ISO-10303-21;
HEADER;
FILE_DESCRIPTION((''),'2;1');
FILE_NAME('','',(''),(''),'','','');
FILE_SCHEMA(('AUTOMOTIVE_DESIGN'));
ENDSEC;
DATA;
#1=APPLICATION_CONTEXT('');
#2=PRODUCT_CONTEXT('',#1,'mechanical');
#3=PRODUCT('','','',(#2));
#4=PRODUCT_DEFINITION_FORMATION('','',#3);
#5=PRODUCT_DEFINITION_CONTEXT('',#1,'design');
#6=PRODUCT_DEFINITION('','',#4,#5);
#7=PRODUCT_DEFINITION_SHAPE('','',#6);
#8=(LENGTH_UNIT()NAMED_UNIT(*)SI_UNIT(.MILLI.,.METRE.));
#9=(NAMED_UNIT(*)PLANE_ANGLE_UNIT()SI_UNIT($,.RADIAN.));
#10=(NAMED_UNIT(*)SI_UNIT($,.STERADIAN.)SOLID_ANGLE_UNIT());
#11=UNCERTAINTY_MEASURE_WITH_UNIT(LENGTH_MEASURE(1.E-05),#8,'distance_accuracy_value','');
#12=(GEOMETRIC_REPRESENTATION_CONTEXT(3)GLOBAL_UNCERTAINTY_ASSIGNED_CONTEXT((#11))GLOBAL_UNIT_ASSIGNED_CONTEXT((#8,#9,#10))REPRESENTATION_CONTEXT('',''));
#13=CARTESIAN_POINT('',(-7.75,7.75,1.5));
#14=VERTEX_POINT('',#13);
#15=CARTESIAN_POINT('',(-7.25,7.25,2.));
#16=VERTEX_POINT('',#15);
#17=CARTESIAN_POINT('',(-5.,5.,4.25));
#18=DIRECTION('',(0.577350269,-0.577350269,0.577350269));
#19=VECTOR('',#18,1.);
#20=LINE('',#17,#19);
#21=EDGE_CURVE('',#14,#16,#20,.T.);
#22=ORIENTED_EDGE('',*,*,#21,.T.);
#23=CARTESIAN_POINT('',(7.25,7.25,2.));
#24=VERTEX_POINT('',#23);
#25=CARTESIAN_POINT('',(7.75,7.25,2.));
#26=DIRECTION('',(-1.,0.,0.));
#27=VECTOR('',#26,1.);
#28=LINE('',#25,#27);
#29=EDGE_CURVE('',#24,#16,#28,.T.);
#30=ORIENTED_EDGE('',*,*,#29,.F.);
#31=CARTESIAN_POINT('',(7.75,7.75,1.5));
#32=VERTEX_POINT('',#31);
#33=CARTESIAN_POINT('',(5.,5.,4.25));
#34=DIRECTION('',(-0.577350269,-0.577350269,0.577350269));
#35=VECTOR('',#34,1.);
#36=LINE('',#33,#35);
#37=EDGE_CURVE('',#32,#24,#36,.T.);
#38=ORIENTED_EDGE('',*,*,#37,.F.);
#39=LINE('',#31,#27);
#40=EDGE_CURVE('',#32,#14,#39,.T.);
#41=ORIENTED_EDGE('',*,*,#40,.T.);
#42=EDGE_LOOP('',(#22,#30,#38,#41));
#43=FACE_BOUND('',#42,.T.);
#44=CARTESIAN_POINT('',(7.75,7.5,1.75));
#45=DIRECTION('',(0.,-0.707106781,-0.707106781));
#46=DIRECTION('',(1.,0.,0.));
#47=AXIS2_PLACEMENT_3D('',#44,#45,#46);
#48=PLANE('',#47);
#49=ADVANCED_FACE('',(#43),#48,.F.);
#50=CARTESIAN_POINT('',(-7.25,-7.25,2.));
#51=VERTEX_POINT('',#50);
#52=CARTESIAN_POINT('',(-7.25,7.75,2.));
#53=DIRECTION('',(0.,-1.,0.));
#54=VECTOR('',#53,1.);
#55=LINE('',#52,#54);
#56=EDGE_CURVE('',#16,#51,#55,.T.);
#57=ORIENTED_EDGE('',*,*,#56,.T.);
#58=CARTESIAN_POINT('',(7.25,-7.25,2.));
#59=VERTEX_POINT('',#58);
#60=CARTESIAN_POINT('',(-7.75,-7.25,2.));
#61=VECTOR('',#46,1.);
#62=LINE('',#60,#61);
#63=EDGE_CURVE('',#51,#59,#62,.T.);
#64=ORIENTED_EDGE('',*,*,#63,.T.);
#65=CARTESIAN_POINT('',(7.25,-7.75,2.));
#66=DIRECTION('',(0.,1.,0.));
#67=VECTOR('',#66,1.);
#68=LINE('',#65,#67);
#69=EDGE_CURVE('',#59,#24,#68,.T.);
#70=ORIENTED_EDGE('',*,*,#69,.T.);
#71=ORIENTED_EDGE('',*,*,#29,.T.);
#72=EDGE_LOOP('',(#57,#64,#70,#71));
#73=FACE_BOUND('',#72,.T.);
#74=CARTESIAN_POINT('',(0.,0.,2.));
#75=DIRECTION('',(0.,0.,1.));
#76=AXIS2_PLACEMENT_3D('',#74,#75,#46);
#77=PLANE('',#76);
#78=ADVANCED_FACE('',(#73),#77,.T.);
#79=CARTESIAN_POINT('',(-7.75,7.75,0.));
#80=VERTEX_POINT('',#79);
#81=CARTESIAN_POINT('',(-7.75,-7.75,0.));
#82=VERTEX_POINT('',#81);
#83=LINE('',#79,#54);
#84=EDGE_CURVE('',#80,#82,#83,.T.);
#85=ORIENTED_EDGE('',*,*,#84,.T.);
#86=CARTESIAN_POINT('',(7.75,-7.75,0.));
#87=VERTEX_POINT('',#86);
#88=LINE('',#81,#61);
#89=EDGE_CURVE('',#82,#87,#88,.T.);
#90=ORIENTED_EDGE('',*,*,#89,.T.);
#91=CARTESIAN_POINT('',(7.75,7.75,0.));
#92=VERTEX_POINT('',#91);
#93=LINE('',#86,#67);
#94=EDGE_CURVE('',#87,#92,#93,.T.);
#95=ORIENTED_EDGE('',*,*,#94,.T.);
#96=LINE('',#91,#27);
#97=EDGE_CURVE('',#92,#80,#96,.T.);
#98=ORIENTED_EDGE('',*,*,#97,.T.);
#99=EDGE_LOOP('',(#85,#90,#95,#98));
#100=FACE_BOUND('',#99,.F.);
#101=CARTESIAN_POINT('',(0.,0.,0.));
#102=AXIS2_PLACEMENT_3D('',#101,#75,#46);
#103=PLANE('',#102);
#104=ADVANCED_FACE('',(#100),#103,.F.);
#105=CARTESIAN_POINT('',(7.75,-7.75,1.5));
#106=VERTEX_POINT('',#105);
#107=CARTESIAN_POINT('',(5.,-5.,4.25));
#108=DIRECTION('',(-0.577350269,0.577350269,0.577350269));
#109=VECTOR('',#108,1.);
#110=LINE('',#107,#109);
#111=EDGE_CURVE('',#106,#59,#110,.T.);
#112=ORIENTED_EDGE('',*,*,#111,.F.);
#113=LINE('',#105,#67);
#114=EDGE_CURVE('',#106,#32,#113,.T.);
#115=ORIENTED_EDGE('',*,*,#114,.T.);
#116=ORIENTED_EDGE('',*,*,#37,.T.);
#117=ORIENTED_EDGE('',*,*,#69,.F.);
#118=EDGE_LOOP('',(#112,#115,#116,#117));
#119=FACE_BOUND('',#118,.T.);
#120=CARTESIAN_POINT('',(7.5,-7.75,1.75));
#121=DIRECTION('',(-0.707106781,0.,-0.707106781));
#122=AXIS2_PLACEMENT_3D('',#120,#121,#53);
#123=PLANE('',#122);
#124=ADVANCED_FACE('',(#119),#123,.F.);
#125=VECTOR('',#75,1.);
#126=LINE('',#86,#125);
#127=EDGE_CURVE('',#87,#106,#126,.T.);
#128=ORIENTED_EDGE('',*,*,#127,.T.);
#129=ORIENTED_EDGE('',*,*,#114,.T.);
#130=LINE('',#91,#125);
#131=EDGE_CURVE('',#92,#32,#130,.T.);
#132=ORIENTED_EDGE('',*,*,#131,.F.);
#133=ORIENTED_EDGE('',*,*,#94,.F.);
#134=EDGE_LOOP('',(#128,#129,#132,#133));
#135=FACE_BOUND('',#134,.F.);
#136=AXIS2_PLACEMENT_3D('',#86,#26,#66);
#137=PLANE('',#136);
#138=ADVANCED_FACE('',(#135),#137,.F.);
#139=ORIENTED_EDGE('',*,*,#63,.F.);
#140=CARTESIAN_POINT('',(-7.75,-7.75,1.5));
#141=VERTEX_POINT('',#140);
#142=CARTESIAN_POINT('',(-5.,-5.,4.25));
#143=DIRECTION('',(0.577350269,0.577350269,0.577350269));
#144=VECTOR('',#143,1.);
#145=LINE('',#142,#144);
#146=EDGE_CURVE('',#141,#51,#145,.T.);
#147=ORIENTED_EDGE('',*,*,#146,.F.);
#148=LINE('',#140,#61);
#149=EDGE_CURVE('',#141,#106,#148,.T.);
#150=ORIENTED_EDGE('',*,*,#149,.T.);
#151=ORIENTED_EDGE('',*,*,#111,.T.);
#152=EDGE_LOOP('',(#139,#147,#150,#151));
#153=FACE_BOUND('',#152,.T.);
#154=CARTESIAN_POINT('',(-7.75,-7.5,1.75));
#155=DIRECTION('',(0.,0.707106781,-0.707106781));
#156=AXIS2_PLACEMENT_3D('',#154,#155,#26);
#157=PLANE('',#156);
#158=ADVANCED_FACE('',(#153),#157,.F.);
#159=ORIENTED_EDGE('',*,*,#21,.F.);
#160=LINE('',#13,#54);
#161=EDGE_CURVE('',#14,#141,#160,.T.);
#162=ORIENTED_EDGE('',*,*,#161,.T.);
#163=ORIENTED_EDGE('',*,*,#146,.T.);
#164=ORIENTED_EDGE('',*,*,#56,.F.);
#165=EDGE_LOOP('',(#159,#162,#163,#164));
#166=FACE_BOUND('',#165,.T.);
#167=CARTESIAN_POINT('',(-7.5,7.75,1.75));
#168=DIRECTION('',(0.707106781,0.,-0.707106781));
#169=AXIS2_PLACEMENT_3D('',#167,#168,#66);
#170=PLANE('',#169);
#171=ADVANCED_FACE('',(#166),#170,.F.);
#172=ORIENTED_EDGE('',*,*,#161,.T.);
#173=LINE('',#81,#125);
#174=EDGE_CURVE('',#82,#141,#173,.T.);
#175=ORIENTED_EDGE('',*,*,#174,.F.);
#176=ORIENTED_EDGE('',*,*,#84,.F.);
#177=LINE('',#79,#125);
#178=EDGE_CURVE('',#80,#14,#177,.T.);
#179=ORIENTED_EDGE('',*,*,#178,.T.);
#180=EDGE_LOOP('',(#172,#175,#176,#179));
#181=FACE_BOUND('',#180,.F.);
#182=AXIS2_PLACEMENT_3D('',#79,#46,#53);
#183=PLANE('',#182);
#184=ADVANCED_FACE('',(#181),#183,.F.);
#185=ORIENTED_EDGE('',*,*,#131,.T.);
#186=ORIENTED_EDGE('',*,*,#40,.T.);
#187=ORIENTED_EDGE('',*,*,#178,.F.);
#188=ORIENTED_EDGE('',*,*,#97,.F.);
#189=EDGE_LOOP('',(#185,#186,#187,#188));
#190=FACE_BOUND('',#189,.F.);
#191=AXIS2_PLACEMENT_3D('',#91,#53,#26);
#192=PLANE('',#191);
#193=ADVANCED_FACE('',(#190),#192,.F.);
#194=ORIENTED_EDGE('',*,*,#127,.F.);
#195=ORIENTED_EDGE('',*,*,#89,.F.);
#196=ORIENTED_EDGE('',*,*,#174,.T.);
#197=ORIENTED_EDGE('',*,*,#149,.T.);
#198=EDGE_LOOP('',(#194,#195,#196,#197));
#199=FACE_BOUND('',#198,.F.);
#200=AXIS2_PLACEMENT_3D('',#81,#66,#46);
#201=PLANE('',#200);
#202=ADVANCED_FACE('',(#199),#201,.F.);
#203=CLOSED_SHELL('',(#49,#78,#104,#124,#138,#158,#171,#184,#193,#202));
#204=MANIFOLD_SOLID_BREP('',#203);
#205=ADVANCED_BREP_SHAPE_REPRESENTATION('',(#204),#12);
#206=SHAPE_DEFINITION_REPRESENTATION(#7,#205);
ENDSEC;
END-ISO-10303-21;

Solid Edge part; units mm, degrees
sketch "Sketch1" plane through (0, 0, 0) normal (0, 0, 1) x (1, 0, 0)
  line L0 (-7.75, -7.75) -> (7.75, -7.75)
  line L1 (7.75, -7.75) -> (7.75, 7.75)
  line L2 (7.75, 7.75) -> (-7.75, 7.75)
  line L3 (-7.75, 7.75) -> (-7.75, -7.75)
  dimension "D1" = 15.5
extrude "Protrusion1" add sketch "Sketch1" along normal blind 2
chamfer "Fase_1" distance 0.5 angle 45 4 edges at (0, -7.75, 2) (7.75, 0, 2) (0, 7.75, 2) (-7.75, 0, 2)
